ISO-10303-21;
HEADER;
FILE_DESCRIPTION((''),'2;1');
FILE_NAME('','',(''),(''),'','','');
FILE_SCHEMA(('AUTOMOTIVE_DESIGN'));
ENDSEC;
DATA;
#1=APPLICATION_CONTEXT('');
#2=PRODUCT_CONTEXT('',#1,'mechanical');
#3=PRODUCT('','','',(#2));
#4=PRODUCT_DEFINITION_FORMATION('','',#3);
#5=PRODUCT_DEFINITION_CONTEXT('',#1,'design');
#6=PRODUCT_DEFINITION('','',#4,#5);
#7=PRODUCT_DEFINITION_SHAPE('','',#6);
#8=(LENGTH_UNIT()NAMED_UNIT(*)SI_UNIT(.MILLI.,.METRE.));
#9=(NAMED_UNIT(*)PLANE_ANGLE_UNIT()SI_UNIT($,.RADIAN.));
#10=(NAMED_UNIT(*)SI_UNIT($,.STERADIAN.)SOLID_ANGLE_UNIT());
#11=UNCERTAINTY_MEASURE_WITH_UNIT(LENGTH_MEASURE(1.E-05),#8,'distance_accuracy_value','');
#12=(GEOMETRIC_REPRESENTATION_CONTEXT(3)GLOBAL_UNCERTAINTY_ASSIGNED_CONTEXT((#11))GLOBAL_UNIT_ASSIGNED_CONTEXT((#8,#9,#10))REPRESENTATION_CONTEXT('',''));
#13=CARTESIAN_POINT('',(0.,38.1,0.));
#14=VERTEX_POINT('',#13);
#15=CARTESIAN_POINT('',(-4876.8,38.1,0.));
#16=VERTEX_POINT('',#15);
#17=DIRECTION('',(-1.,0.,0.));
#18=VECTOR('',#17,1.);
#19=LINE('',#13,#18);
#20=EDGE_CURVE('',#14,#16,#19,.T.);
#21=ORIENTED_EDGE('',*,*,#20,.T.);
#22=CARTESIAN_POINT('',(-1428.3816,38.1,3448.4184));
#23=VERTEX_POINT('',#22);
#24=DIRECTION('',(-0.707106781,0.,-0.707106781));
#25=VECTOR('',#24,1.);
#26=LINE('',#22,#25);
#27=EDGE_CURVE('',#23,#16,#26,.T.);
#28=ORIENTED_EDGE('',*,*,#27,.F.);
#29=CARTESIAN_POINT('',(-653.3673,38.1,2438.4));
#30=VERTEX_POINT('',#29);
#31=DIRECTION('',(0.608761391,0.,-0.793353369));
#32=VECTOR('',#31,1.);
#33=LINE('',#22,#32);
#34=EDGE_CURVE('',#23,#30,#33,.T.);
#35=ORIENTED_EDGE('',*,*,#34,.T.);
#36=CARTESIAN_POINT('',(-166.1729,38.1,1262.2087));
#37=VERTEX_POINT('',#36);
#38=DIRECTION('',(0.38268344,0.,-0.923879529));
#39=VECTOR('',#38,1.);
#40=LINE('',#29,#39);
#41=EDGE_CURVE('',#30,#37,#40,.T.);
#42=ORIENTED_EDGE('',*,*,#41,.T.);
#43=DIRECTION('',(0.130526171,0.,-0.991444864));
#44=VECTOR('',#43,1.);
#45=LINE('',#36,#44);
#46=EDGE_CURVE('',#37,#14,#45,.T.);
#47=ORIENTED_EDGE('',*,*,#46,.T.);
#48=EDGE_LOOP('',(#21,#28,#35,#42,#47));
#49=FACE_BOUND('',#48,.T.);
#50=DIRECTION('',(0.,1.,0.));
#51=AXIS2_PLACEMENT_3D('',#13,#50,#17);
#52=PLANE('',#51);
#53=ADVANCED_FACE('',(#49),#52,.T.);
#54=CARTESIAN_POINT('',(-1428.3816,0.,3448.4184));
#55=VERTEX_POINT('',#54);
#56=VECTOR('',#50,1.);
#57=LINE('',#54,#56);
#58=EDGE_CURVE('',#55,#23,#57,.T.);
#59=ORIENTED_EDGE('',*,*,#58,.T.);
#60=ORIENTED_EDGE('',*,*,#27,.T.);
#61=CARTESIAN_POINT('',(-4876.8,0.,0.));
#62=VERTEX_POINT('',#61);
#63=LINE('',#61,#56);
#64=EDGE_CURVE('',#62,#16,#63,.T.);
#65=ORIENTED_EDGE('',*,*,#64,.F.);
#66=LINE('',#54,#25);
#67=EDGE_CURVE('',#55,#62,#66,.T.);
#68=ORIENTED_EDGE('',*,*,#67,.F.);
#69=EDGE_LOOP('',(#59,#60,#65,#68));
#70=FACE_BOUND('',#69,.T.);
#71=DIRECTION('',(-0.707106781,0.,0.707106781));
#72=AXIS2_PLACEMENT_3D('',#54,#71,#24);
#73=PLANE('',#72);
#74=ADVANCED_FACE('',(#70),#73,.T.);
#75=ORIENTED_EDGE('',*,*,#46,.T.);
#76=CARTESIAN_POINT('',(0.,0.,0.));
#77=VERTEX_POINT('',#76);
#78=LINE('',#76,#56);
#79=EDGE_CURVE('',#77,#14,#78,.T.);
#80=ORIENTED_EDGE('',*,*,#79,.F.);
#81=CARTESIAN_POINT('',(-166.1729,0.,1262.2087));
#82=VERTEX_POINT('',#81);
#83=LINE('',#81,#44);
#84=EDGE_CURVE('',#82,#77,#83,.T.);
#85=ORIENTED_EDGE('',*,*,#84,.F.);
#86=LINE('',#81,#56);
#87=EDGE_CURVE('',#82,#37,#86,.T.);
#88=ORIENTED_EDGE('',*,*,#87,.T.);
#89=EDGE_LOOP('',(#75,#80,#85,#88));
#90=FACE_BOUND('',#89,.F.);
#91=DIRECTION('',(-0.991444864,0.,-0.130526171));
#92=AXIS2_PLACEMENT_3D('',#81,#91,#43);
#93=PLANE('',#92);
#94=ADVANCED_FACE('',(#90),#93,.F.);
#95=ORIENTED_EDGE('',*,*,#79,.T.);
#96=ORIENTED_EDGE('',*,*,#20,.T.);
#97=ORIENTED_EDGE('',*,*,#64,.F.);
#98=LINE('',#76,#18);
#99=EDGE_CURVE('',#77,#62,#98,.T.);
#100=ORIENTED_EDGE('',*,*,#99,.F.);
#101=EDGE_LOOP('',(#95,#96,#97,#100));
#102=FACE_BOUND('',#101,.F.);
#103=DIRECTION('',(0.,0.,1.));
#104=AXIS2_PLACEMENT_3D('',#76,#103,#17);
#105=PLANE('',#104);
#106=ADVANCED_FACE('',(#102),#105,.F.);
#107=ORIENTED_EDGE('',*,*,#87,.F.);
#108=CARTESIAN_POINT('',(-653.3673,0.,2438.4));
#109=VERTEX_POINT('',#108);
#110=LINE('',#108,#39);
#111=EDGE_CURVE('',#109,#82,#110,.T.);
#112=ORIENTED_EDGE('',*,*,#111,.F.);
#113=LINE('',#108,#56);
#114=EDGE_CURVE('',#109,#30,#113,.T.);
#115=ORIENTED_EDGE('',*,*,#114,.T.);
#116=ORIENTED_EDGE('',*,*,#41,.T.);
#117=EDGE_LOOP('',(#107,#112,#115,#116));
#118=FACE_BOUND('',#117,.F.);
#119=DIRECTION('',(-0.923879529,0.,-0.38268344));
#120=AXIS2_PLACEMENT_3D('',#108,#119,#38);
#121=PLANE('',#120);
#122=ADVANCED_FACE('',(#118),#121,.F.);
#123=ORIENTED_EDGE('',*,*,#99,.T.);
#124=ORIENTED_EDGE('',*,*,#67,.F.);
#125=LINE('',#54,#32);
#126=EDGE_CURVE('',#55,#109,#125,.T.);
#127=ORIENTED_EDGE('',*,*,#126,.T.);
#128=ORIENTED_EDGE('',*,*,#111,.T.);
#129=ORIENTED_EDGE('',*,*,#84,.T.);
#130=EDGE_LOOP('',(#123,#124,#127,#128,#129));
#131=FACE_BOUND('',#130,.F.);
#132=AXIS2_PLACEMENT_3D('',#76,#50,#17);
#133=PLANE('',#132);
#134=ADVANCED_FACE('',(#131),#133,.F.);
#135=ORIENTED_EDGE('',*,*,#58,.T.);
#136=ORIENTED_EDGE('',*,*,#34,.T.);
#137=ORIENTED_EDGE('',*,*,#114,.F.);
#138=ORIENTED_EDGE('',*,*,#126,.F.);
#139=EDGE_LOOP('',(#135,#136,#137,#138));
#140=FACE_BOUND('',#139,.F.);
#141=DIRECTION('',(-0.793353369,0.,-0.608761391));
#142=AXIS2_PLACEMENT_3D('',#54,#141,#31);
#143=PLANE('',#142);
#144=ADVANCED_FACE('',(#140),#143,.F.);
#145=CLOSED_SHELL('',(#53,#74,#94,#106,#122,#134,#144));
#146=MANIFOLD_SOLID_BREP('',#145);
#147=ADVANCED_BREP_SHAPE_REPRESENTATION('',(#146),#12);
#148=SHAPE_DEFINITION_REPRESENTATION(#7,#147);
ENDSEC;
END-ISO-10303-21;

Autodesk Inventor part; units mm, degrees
ref_plane "YZ Plane" through (0, 0, 0) normal (1, 0, 0) x (0, 1, 0)
ref_plane "XZ Plane" through (0, 0, 0) normal (0, 1, 0) x (-1, 0, 0)
ref_plane "XY Plane" through (0, 0, 0) normal (0, 0, 1) x (1, 0, 0)
sketch "Sketch1" plane through (0, 0, 0) normal (0, 1, 0) x (-1, 0, 0)
  line L0 (0, 0) -> (4876.8, 0)
  line L1 (4876.8, 0) -> (166.1729, 1262.2087) construction
  line L2 (4876.8, 0) -> (653.3673, 2438.4) construction
  line L3 (4876.8, 0) -> (1428.3816, 3448.4184) construction
  line L4 (4876.8, 0) -> (3221.736, 2866.6549) construction
  line L5 (4876.8, 0) -> (4071.3531, 3005.9689) construction
  line L6 (4876.8, 0) -> (7988.808, 0) construction
  line L7 (1428.3816, 3448.4184) -> (653.3673, 2438.4)
  line L8 (653.3673, 2438.4) -> (166.1729, 1262.2087)
  line L9 (166.1729, 1262.2087) -> (0, 0)
  line L10 (1428.3816, 3448.4184) -> (4876.8, 0)
  dimension "d0" = 4876.8
  dimension "d8" = 4876.8
  dimension "d9" = 15
  dimension "d10" = 4876.8
  dimension "d11" = 30
  dimension "d12" = 4876.8
  dimension "d13" = 45
  dimension "d14" = 3310.128
  dimension "d15" = 60
  dimension "d18" = 3112.008
  dimension "d19" = 105
extrude "Extrusion1" add sketch "Sketch1" along normal blind 38.1
properties part number "wrapAround" material "Wood (Cherry)"
